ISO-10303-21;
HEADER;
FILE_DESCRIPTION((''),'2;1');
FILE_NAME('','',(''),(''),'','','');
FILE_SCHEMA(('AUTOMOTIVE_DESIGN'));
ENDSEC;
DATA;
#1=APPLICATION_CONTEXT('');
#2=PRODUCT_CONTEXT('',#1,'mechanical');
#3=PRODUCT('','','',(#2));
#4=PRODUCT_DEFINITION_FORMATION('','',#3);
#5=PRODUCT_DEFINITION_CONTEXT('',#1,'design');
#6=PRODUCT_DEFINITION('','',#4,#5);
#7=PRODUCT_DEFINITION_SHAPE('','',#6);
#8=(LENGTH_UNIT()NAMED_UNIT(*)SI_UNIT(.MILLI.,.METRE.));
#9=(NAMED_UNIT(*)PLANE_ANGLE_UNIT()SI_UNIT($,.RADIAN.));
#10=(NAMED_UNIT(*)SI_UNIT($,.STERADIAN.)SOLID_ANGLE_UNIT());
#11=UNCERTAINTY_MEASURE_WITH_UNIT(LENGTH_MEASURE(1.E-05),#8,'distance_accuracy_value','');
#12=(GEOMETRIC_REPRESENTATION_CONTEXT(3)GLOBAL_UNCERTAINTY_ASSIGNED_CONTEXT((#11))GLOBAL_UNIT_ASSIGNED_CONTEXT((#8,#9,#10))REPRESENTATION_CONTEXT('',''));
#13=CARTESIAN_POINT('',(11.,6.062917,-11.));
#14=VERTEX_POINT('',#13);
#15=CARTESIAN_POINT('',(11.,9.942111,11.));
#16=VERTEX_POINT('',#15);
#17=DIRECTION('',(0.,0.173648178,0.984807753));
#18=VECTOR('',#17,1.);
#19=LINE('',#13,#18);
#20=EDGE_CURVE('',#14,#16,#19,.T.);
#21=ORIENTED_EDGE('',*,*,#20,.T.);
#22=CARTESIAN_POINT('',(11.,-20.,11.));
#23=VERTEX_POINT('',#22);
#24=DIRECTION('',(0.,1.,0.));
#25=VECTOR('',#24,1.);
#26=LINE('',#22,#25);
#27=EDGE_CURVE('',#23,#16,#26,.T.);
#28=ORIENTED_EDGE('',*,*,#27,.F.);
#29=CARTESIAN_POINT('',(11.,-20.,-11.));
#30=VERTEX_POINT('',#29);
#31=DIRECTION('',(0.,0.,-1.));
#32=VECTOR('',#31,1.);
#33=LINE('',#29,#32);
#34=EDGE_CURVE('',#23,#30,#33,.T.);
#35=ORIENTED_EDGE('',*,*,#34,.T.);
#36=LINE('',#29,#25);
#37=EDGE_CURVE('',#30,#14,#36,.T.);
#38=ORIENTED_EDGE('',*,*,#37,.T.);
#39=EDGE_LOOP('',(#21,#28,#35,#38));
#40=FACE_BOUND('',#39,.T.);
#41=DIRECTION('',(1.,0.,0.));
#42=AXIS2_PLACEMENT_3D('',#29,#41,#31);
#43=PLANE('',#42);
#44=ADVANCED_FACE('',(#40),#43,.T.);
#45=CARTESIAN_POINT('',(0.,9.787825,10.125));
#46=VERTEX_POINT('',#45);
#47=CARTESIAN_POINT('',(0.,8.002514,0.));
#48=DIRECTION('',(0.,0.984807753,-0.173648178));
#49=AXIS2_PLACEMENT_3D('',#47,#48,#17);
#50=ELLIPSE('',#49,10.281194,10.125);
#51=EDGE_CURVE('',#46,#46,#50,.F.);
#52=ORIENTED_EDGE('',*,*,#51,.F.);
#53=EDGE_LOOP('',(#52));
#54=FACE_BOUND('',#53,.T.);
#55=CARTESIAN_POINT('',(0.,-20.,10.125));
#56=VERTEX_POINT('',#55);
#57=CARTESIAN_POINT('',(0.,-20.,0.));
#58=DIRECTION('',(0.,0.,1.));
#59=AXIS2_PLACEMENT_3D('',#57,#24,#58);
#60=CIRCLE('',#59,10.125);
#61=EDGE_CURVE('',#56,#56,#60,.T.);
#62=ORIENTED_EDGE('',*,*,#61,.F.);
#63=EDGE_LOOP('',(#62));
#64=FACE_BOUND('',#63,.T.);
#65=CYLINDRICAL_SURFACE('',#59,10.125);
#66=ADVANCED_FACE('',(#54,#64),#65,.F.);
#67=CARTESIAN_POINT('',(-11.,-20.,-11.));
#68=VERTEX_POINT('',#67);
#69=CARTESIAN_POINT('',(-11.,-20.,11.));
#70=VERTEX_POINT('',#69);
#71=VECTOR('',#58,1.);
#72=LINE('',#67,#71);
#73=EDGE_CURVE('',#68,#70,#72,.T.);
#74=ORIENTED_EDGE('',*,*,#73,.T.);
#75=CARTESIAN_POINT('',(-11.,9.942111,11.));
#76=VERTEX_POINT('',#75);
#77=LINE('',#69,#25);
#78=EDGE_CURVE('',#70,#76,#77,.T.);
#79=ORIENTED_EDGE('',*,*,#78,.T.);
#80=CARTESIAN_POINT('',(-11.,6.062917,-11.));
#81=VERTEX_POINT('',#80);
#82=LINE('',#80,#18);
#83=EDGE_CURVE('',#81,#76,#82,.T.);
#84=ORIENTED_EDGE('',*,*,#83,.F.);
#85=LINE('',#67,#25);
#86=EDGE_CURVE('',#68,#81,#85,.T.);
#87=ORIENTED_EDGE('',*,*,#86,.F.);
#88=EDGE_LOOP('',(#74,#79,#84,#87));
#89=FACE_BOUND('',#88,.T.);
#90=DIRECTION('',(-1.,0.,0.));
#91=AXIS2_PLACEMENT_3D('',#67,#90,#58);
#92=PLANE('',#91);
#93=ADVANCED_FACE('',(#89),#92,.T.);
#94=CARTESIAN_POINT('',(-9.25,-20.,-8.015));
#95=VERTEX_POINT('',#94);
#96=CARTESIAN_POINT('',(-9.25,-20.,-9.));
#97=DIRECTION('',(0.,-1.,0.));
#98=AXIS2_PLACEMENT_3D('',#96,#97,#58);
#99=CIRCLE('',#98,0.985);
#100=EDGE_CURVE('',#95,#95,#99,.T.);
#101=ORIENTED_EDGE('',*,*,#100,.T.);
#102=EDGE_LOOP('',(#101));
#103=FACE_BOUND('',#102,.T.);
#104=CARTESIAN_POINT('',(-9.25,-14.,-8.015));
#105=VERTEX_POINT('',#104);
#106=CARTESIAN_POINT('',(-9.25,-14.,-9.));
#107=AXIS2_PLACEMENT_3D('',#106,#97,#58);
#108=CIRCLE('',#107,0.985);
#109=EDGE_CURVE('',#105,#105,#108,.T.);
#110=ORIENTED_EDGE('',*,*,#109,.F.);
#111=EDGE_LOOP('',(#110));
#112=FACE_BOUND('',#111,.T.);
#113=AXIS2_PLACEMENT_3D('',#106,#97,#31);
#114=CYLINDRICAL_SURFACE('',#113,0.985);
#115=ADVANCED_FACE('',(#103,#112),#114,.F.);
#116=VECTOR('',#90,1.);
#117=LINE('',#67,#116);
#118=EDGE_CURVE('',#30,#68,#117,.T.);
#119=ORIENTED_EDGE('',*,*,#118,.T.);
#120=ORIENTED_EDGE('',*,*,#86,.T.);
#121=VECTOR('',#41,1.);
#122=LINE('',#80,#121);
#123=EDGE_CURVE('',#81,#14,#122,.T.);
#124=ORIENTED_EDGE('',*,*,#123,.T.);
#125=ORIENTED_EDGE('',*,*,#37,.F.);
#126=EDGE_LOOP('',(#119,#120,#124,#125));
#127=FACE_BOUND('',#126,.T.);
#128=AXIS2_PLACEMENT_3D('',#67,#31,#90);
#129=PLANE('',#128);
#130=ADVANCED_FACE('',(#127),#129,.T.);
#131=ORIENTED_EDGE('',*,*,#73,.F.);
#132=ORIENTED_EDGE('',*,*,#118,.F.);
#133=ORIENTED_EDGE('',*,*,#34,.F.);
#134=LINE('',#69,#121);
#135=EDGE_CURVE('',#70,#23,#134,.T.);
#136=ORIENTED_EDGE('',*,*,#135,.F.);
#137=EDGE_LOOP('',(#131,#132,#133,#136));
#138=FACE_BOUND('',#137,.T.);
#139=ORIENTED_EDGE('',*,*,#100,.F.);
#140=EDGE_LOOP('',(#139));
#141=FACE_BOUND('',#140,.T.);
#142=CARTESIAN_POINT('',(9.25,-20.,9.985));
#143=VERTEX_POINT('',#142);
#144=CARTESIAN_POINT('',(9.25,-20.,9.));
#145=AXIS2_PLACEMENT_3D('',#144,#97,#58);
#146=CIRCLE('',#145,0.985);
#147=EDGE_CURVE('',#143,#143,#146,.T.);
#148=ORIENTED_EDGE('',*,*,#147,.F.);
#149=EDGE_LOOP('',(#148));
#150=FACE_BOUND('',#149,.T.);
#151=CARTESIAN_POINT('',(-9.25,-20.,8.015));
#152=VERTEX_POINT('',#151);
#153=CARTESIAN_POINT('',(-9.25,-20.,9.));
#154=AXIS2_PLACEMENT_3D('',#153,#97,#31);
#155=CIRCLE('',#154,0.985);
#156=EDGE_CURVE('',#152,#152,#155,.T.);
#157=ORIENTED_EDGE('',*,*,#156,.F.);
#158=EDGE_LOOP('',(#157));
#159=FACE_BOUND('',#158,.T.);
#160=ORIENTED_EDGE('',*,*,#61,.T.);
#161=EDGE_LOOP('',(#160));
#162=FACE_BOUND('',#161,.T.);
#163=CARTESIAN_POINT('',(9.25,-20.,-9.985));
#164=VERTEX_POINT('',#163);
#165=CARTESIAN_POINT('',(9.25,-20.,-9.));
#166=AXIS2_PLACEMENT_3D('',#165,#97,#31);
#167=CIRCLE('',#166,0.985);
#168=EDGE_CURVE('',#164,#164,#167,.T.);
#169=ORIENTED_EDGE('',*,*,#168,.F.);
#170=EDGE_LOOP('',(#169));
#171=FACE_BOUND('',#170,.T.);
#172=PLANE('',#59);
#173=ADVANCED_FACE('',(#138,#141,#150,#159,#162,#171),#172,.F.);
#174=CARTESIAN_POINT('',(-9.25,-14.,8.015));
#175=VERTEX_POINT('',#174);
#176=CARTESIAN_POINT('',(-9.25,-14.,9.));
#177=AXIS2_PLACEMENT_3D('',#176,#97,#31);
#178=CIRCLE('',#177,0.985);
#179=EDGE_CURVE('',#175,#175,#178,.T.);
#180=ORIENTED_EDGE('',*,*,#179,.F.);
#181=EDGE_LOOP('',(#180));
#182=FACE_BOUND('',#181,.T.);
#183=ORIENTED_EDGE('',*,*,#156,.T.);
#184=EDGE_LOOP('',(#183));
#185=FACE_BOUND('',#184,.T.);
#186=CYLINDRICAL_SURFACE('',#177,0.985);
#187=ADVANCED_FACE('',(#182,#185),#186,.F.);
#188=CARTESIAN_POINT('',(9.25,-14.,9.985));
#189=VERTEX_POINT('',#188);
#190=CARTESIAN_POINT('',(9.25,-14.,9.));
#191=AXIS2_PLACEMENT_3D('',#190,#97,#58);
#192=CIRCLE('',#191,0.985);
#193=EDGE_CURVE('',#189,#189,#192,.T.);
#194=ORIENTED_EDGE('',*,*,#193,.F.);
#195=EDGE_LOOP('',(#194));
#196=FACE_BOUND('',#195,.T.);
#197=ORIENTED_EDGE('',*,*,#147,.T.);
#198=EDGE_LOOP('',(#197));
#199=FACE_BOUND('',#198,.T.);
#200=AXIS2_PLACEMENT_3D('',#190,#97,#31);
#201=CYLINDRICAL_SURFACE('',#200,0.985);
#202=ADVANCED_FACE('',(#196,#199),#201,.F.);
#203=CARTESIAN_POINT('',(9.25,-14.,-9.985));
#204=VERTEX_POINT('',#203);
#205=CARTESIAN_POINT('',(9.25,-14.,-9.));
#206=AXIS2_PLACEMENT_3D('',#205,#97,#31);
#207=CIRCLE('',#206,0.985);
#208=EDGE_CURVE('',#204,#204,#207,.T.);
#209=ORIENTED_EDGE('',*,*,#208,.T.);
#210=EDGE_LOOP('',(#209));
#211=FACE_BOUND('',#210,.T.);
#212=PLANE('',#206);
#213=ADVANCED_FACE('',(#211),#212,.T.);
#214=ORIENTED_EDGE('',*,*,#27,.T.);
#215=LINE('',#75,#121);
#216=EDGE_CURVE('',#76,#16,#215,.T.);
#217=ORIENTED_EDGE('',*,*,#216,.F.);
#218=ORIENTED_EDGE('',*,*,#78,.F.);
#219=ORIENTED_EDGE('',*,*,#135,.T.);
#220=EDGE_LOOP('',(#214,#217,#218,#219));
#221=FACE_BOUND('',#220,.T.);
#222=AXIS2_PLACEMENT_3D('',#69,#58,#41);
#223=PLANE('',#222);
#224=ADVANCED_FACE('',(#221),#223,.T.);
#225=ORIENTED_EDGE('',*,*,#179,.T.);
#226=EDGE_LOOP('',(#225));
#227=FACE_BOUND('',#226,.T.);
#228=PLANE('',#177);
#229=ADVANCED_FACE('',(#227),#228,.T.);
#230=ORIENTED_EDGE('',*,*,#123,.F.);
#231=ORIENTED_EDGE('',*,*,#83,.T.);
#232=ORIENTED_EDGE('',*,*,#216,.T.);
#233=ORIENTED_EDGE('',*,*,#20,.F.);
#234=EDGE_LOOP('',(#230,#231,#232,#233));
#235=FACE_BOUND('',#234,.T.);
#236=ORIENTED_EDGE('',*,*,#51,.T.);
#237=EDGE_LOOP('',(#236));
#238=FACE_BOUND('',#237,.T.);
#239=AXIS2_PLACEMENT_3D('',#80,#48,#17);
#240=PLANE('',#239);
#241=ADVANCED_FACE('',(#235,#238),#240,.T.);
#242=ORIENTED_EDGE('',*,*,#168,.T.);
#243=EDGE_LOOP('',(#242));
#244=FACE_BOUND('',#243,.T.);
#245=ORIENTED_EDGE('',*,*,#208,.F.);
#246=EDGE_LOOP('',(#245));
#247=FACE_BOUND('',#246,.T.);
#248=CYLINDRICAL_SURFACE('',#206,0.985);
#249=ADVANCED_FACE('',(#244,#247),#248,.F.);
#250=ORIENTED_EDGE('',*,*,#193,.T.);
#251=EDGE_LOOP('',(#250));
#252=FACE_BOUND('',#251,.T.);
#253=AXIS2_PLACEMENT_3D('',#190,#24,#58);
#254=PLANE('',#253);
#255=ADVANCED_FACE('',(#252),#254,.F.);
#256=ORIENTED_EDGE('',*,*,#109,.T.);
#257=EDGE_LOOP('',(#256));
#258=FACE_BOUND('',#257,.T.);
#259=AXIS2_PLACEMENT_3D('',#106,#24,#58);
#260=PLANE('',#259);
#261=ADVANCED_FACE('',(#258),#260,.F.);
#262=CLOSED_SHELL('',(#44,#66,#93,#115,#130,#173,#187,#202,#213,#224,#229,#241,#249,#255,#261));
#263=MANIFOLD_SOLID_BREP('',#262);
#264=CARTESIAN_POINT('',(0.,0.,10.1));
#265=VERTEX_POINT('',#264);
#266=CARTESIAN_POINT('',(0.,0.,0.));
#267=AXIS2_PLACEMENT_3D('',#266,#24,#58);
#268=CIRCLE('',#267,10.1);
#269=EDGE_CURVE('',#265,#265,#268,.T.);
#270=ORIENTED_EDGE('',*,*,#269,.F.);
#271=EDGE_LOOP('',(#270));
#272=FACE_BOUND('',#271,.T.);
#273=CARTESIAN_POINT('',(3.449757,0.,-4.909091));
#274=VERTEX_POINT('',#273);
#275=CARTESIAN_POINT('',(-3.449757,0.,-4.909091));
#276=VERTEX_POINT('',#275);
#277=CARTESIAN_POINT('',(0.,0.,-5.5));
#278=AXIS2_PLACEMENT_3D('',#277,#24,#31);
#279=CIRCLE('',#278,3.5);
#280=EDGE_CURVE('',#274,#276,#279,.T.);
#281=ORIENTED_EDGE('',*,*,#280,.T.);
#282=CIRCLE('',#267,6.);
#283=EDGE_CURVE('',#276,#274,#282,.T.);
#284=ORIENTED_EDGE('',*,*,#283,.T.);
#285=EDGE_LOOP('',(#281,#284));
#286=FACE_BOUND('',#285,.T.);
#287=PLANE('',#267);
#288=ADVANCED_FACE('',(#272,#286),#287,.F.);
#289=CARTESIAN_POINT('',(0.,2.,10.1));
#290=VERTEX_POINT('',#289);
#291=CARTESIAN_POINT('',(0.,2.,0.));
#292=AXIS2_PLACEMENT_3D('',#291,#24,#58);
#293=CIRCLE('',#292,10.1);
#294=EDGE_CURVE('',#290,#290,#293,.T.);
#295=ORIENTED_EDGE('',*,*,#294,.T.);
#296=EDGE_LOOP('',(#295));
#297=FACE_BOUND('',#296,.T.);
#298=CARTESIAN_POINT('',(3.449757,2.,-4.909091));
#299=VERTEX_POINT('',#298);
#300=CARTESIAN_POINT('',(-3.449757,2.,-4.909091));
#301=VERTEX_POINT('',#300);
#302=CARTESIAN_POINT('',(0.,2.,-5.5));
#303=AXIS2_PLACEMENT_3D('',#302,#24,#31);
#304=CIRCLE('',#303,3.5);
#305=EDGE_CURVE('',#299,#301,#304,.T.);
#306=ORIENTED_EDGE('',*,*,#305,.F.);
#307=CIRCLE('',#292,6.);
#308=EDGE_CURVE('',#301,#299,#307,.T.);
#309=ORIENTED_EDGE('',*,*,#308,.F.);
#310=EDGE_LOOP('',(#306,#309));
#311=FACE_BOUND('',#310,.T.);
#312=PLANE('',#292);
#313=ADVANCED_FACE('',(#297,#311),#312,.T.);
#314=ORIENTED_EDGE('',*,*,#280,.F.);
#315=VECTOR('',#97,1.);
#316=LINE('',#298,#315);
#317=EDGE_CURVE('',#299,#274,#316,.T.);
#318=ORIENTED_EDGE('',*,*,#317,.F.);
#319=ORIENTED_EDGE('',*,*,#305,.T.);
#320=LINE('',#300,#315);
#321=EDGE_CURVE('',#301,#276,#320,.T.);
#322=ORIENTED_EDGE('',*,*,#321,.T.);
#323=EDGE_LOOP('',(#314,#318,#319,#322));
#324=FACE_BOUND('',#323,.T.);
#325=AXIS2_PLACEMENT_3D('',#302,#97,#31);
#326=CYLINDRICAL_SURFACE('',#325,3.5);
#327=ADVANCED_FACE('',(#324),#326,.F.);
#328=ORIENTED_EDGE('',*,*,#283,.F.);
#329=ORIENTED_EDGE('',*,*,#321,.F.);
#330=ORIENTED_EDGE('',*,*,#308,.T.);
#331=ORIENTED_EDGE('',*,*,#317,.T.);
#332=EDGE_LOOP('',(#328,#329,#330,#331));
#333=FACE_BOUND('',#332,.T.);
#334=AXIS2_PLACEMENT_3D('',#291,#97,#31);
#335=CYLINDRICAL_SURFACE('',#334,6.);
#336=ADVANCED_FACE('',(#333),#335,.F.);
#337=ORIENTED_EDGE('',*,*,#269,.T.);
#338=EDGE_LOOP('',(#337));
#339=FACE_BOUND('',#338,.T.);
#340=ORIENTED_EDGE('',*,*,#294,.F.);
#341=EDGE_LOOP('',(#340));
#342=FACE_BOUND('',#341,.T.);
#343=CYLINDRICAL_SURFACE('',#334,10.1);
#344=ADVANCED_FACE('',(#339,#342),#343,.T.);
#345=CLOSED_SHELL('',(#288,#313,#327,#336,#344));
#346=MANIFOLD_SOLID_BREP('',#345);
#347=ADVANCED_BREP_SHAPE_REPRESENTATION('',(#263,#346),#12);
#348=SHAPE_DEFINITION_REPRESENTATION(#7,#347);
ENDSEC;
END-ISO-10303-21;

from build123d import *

# Parameters (mm, degrees)
SKETCH2_R                = 10.1
BOSS_EXTRUDE1_DEPTH      = 2
SKETCH3_W                = 22
SKETCH3_H                = 22
SKETCH3_R                = 10.125
BOSS_EXTRUDE2_DEPTH      = 8
BOSS_EXTRUDE2_DEPTH_BACK = 22
SKETCH5_R                = 0.985
CUT_EXTRUDE2_DEPTH       = 6
CUT_EXTRUDE3_DEPTH       = 23


with BuildPart() as part:
    # Sketch2 → Boss-Extrude1 (new body)
    with BuildSketch(Plane(origin=(0, 0, 0), x_dir=(1, 0, 0), z_dir=(0, 1, 0))):
        Circle(SKETCH2_R)
        with BuildLine():
            ThreePointArc((-3.449757447, 4.909090909), (0, 9), (3.449757447, 4.909090909))
            ThreePointArc((3.449757447, 4.909090909), (0, -6), (-3.449757447, 4.909090909))
        make_face(mode=Mode.SUBTRACT)
    extrude(amount=BOSS_EXTRUDE1_DEPTH)


with BuildPart() as body_2:
    # Sketch3 → Boss-Extrude2 (new body, two sides)
    with BuildSketch(Plane(origin=(0, 2, 0), x_dir=(1, 0, 0), z_dir=(0, 1, 0))) as boss_extrude2_sk:
        Rectangle(SKETCH3_W, SKETCH3_H)
        Circle(SKETCH3_R, mode=Mode.SUBTRACT)
    extrude(amount=BOSS_EXTRUDE2_DEPTH)
    extrude(boss_extrude2_sk.sketch, amount=-BOSS_EXTRUDE2_DEPTH_BACK)

    # Sketch5 → Cut-Extrude2 (cut)
    with BuildSketch(Plane(origin=(0, -20, 0), x_dir=(-1, 0, 0), z_dir=(0, -1, 0))):
        with Locations((9.25, -9)):
            Circle(SKETCH5_R)
        with Locations((9.25, 9)):
            Circle(SKETCH5_R)
        with Locations((-9.25, 9)):
            Circle(SKETCH5_R)
        with Locations((-9.25, -9)):
            Circle(SKETCH5_R)
    extrude(amount=-CUT_EXTRUDE2_DEPTH, mode=Mode.SUBTRACT)

    # Sketch6 → Cut-Extrude3 (cut, through all)
    with BuildSketch(Plane(origin=(11, 0, 0), x_dir=(0, 0, -1), z_dir=(1, 0, 0))):
        Polygon((11, 6.06291723), (-11, 9.942110806), (-11, 10), (11, 10), align=None)
    extrude(amount=-CUT_EXTRUDE3_DEPTH, mode=Mode.SUBTRACT)


solid = Compound([part.part, body_2.part])
